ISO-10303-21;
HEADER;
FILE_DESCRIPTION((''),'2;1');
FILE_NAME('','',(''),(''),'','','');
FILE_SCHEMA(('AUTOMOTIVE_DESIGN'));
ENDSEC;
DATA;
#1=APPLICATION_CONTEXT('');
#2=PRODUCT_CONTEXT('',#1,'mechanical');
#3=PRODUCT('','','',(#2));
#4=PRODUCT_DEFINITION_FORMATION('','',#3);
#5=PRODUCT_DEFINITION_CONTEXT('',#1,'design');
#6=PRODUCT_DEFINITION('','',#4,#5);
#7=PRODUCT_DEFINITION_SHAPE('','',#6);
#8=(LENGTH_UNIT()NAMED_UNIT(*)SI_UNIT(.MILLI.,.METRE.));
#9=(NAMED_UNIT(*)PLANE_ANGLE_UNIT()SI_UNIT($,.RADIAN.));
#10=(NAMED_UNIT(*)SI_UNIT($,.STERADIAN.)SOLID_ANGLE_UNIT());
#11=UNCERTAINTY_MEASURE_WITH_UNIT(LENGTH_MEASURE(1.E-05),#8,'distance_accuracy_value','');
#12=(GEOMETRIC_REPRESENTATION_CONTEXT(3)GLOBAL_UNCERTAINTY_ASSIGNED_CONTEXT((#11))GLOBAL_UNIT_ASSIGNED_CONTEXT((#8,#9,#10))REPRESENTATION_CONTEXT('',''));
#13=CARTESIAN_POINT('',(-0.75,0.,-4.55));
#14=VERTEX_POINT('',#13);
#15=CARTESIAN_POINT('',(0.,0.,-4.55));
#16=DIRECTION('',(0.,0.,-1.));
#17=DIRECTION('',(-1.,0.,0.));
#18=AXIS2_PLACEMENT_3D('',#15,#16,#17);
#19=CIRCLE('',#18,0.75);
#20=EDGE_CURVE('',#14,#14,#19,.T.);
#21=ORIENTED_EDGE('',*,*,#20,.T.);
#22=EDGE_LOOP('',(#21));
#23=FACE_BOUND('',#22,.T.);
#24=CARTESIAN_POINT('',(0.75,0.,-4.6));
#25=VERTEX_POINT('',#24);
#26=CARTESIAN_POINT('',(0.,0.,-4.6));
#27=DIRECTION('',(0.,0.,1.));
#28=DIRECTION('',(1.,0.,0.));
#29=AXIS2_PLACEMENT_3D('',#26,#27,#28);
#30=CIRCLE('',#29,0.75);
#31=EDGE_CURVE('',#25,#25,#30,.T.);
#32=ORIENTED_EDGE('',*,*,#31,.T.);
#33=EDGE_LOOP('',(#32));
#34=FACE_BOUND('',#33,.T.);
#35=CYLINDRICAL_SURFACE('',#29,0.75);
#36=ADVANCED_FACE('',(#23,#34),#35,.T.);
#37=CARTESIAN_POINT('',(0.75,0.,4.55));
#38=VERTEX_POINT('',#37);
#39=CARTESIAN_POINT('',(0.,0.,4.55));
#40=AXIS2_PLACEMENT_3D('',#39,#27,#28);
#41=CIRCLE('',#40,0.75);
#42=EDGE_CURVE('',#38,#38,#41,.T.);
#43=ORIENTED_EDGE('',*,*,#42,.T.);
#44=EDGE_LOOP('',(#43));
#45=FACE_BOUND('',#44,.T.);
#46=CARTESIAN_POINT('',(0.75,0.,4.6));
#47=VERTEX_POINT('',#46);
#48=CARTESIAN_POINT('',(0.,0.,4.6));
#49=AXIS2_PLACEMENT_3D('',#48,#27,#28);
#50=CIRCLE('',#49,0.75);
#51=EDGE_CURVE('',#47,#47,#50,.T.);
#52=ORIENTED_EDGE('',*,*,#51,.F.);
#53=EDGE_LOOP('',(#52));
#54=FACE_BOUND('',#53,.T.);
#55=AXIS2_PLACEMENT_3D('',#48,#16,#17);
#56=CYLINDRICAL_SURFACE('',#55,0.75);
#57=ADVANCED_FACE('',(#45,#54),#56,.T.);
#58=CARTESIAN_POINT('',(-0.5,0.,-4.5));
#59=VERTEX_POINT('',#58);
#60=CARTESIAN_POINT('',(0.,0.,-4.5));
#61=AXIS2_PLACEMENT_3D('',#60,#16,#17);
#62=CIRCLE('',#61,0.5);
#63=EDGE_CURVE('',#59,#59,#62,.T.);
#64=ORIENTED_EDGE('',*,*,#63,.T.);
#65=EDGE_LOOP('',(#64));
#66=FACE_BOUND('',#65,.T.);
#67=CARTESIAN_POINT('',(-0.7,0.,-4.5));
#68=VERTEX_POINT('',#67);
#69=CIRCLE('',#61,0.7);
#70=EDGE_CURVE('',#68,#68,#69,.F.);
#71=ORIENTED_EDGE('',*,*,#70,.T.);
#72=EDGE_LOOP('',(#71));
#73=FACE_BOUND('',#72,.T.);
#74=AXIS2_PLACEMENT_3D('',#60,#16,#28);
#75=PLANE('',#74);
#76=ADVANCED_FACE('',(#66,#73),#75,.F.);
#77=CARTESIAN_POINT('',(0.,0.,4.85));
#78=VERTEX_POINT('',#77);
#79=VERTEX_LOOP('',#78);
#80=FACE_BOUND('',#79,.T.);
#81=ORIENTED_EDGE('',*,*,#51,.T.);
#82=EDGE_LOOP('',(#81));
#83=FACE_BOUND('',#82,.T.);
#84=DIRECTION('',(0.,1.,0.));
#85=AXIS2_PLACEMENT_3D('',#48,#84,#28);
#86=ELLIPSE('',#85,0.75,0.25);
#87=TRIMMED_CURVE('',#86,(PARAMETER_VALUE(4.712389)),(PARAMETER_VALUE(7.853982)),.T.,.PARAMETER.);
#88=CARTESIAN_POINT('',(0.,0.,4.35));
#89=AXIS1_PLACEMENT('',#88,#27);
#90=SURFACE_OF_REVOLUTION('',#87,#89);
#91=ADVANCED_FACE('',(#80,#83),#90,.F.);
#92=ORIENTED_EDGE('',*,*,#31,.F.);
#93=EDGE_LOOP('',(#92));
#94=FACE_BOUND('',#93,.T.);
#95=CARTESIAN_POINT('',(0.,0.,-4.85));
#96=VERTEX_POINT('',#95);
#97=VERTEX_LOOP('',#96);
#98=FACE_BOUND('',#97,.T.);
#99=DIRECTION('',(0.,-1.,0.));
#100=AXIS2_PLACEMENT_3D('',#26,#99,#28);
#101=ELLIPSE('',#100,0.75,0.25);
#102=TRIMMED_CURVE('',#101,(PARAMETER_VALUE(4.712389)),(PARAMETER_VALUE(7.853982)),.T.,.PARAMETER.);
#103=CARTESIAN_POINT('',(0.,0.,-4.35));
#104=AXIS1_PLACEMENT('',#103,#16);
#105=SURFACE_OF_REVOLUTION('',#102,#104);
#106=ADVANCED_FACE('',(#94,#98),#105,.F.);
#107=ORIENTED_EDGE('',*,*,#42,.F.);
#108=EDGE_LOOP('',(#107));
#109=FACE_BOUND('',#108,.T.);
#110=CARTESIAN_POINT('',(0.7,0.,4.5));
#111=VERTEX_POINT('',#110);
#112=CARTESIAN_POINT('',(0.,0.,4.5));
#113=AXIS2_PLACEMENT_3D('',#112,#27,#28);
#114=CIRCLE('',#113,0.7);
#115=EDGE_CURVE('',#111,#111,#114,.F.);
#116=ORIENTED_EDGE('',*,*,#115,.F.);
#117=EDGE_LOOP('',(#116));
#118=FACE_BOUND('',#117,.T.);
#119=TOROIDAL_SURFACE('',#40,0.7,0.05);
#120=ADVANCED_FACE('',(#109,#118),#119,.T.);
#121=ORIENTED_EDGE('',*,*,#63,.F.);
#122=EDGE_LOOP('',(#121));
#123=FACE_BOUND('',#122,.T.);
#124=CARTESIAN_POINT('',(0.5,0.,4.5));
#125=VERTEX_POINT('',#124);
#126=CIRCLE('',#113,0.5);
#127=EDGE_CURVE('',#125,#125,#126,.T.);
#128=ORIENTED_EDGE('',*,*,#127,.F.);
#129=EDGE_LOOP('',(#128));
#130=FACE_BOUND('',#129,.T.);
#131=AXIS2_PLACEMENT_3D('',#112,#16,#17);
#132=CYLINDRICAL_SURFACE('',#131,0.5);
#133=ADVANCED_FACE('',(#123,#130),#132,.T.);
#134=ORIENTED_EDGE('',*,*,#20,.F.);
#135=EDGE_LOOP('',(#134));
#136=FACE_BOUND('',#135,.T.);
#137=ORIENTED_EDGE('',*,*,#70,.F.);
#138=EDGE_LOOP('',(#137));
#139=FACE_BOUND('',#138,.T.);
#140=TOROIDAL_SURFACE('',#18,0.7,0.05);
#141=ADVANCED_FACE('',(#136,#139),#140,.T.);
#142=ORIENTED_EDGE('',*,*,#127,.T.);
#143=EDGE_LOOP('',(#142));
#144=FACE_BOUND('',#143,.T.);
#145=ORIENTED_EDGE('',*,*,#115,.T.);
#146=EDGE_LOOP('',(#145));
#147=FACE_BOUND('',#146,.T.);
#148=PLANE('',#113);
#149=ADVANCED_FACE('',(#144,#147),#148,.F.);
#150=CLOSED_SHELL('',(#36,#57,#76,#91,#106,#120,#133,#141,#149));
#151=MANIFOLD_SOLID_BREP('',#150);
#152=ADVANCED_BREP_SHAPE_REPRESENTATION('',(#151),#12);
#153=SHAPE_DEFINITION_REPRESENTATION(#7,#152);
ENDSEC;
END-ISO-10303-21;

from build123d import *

# Parameters (mm, degrees)
SKETCH1_R                  = 0.5
BOSS_EXTRUDE1_DEPTH        = 4.5
SKETCH2_R                  = 0.75
BOSS_EXTRUDE2_DEPTH        = 0.1
DOME1_FACE_RADIUS          = 0.75
DOME1_HEIGHT               = 0.25
FILLET1_R                  = 0.05
MIRROR2_COPY_1_FACE_RADIUS = 0.75
MIRROR2_COPY_1_HEIGHT      = 0.25
FILLET1_OF_MIRROR2_R       = 0.05


with BuildPart() as part:
    # Sketch1 → Boss-Extrude1 (new, symmetric)
    with BuildSketch(Plane.XY):
        Circle(SKETCH1_R)
    extrude(amount=BOSS_EXTRUDE1_DEPTH, both=True)

    # Sketch2 → Boss-Extrude2 (add)
    with BuildSketch(Plane.XY.offset(4.5)):
        Circle(SKETCH2_R)
    boss_extrude2 = extrude(amount=BOSS_EXTRUDE2_DEPTH)

    # Dome1: an elliptical dome of height H over a round flat face of radius A is half a spheroid: the quarter ellipse of half axes A and H revolved about the face's axis
    with BuildSketch(Plane((0, 0, 4.6), x_dir=(0, 1, 0), z_dir=(1, 0, 0)), mode=Mode.PRIVATE) as dome1_quarter:
        Ellipse(DOME1_FACE_RADIUS, DOME1_HEIGHT)
        Rectangle(DOME1_FACE_RADIUS, DOME1_HEIGHT, align=(Align.MIN, Align.MIN), mode=Mode.INTERSECT)
    revolve(dome1_quarter.sketch, axis=Axis((0, 0, 4.6), (0, 0, 1)))

    # Fillet1
    fillet1_edges = [part.edges().sort_by_distance(p)[0] for p in [
        (-0.75, 0, 4.5),
    ]]
    fillet(fillet1_edges, radius=FILLET1_R)

    # Mirror2: Boss-Extrude2 across plane
    add(boss_extrude2.mirror(Plane.XY))

    # Mirror2 copy 1: an elliptical dome of height H over a round flat face of radius A is half a spheroid: the quarter ellipse of half axes A and H revolved about the face's axis
    with BuildSketch(Plane((0, 0, -4.6), x_dir=(0, -1, 0), z_dir=(1, 0, 0)), mode=Mode.PRIVATE) as mirror2_copy_1_quarter:
        Ellipse(MIRROR2_COPY_1_FACE_RADIUS, MIRROR2_COPY_1_HEIGHT)
        Rectangle(MIRROR2_COPY_1_FACE_RADIUS, MIRROR2_COPY_1_HEIGHT, align=(Align.MIN, Align.MIN), mode=Mode.INTERSECT)
    revolve(mirror2_copy_1_quarter.sketch, axis=Axis((0, 0, -4.6), (0, 0, -1)))

    # Fillet1 of Mirror2
    fillet1_of_mirror2_edges = [part.edges().sort_by_distance(p)[0] for p in [
        (-0.75, 0, -4.5),
    ]]
    fillet(fillet1_of_mirror2_edges, radius=FILLET1_OF_MIRROR2_R)


solid = part.part
